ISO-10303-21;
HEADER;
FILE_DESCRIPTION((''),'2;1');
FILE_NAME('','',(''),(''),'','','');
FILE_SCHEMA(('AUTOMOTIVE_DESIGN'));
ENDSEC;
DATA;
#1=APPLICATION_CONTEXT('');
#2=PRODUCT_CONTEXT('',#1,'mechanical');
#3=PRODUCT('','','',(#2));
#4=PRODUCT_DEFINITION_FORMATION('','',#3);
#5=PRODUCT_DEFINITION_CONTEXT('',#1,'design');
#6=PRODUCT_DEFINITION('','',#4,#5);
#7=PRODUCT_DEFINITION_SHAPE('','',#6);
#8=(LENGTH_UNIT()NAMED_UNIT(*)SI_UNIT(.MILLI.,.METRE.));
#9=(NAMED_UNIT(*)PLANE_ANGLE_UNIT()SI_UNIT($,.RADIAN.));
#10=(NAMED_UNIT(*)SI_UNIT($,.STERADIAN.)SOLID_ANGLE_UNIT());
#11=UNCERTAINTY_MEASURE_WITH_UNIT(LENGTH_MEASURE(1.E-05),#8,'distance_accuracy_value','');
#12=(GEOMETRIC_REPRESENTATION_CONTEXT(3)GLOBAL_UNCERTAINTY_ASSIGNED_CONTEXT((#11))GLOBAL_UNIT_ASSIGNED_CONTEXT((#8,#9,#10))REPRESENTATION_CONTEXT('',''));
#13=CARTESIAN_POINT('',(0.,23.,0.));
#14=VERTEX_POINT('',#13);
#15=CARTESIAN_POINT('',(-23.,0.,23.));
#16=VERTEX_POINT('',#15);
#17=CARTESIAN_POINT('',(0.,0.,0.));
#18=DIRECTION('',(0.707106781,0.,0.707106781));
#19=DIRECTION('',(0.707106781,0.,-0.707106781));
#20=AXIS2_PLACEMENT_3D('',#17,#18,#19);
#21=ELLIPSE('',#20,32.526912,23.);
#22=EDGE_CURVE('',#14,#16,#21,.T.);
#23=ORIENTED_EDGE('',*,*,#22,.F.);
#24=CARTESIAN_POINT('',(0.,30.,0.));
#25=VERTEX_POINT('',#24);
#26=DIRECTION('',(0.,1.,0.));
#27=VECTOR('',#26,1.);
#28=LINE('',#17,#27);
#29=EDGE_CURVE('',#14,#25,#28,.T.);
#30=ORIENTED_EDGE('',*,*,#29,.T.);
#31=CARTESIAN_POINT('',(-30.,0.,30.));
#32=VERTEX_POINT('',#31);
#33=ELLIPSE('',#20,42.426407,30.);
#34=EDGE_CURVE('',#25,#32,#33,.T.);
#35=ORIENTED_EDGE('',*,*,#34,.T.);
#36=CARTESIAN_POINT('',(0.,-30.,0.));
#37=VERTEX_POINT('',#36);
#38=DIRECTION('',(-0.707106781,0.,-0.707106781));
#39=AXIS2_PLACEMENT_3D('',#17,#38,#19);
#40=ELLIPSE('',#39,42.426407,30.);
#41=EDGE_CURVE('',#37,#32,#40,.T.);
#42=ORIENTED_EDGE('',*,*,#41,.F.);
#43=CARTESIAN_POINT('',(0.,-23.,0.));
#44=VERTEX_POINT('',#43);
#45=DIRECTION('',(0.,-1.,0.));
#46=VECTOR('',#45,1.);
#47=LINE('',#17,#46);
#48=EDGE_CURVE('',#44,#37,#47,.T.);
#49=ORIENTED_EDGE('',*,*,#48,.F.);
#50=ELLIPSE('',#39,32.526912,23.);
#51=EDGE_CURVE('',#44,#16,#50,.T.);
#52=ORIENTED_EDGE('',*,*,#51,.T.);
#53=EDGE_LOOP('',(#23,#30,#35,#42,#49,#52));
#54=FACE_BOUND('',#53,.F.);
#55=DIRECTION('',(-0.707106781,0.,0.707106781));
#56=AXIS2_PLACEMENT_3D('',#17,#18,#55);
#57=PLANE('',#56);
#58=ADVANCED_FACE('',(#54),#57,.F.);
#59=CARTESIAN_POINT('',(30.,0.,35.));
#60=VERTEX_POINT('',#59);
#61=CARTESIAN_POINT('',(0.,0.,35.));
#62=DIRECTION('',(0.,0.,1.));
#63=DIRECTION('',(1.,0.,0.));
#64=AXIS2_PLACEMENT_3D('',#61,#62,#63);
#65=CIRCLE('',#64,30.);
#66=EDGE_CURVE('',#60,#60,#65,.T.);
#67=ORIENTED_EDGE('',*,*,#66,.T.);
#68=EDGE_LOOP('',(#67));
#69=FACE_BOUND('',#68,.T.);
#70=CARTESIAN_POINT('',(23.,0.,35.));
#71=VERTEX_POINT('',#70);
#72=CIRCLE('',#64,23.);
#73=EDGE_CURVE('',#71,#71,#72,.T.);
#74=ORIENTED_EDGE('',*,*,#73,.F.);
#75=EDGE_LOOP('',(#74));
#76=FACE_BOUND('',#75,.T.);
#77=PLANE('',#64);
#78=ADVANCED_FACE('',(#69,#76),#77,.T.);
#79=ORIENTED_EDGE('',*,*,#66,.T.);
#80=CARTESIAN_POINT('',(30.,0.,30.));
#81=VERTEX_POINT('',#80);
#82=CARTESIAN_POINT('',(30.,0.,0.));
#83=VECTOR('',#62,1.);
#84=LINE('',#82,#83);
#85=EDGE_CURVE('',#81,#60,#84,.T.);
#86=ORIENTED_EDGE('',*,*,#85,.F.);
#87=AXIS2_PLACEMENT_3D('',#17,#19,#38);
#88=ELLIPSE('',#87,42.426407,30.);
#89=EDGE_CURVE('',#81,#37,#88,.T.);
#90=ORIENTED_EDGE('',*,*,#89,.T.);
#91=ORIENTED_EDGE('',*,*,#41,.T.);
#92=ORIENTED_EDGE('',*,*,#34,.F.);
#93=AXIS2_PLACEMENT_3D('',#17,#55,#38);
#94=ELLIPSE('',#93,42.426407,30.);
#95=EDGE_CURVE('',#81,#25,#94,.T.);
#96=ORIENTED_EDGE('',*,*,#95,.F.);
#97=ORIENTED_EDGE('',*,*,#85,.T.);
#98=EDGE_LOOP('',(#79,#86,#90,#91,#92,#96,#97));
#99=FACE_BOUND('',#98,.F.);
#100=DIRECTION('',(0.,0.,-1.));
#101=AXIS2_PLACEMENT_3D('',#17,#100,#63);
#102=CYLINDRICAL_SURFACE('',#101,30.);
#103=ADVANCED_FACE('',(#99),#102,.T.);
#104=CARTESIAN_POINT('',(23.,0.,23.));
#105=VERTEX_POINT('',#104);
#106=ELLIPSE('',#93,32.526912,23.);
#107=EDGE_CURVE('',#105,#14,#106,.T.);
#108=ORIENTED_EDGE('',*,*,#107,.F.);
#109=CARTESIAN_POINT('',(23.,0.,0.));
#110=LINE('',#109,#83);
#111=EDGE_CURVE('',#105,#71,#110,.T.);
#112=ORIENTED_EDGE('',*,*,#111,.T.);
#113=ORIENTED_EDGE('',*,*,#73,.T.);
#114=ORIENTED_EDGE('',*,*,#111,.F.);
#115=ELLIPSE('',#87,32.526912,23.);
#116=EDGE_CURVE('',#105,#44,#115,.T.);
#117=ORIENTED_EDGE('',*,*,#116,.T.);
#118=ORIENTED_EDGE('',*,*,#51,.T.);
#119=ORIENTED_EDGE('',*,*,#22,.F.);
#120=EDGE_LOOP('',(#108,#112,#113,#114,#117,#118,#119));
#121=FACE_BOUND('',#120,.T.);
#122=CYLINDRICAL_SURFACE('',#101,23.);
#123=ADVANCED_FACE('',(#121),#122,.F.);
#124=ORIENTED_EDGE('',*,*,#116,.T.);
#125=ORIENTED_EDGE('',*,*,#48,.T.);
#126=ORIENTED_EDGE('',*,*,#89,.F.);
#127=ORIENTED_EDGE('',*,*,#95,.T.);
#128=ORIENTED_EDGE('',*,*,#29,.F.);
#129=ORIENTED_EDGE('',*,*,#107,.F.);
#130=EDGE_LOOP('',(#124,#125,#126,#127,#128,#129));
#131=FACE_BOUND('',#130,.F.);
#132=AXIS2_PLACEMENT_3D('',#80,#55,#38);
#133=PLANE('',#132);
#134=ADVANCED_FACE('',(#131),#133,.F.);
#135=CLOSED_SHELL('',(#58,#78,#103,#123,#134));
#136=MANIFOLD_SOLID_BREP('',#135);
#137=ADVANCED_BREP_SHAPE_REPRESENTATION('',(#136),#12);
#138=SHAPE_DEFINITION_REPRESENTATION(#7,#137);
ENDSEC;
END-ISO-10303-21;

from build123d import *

# Parameters (mm, degrees)
F0_R          = 30
F0_R_2        = 23
F1_DEPTH      = 35
F3_DEPTH      = 40
F3_DEPTH_BACK = 40


with BuildPart() as f1:
    # F0 (on Top) → F1 (new body)
    with BuildSketch(Plane.XY):
        Circle(F0_R)
        Circle(F0_R_2, mode=Mode.SUBTRACT)
    extrude(amount=F1_DEPTH)

    # F2 (on Front) → F3 (cut, two sides)
    with BuildSketch(Plane.XZ) as f3_sk:
        Polygon((-30, 30), (-30, 0), (0, 0), align=None)
        Polygon((30, 30), (0, 0), (30, 0), align=None)
    extrude(amount=-F3_DEPTH, mode=Mode.SUBTRACT)
    extrude(f3_sk.sketch, amount=F3_DEPTH_BACK, mode=Mode.SUBTRACT)


solid = f1.part
